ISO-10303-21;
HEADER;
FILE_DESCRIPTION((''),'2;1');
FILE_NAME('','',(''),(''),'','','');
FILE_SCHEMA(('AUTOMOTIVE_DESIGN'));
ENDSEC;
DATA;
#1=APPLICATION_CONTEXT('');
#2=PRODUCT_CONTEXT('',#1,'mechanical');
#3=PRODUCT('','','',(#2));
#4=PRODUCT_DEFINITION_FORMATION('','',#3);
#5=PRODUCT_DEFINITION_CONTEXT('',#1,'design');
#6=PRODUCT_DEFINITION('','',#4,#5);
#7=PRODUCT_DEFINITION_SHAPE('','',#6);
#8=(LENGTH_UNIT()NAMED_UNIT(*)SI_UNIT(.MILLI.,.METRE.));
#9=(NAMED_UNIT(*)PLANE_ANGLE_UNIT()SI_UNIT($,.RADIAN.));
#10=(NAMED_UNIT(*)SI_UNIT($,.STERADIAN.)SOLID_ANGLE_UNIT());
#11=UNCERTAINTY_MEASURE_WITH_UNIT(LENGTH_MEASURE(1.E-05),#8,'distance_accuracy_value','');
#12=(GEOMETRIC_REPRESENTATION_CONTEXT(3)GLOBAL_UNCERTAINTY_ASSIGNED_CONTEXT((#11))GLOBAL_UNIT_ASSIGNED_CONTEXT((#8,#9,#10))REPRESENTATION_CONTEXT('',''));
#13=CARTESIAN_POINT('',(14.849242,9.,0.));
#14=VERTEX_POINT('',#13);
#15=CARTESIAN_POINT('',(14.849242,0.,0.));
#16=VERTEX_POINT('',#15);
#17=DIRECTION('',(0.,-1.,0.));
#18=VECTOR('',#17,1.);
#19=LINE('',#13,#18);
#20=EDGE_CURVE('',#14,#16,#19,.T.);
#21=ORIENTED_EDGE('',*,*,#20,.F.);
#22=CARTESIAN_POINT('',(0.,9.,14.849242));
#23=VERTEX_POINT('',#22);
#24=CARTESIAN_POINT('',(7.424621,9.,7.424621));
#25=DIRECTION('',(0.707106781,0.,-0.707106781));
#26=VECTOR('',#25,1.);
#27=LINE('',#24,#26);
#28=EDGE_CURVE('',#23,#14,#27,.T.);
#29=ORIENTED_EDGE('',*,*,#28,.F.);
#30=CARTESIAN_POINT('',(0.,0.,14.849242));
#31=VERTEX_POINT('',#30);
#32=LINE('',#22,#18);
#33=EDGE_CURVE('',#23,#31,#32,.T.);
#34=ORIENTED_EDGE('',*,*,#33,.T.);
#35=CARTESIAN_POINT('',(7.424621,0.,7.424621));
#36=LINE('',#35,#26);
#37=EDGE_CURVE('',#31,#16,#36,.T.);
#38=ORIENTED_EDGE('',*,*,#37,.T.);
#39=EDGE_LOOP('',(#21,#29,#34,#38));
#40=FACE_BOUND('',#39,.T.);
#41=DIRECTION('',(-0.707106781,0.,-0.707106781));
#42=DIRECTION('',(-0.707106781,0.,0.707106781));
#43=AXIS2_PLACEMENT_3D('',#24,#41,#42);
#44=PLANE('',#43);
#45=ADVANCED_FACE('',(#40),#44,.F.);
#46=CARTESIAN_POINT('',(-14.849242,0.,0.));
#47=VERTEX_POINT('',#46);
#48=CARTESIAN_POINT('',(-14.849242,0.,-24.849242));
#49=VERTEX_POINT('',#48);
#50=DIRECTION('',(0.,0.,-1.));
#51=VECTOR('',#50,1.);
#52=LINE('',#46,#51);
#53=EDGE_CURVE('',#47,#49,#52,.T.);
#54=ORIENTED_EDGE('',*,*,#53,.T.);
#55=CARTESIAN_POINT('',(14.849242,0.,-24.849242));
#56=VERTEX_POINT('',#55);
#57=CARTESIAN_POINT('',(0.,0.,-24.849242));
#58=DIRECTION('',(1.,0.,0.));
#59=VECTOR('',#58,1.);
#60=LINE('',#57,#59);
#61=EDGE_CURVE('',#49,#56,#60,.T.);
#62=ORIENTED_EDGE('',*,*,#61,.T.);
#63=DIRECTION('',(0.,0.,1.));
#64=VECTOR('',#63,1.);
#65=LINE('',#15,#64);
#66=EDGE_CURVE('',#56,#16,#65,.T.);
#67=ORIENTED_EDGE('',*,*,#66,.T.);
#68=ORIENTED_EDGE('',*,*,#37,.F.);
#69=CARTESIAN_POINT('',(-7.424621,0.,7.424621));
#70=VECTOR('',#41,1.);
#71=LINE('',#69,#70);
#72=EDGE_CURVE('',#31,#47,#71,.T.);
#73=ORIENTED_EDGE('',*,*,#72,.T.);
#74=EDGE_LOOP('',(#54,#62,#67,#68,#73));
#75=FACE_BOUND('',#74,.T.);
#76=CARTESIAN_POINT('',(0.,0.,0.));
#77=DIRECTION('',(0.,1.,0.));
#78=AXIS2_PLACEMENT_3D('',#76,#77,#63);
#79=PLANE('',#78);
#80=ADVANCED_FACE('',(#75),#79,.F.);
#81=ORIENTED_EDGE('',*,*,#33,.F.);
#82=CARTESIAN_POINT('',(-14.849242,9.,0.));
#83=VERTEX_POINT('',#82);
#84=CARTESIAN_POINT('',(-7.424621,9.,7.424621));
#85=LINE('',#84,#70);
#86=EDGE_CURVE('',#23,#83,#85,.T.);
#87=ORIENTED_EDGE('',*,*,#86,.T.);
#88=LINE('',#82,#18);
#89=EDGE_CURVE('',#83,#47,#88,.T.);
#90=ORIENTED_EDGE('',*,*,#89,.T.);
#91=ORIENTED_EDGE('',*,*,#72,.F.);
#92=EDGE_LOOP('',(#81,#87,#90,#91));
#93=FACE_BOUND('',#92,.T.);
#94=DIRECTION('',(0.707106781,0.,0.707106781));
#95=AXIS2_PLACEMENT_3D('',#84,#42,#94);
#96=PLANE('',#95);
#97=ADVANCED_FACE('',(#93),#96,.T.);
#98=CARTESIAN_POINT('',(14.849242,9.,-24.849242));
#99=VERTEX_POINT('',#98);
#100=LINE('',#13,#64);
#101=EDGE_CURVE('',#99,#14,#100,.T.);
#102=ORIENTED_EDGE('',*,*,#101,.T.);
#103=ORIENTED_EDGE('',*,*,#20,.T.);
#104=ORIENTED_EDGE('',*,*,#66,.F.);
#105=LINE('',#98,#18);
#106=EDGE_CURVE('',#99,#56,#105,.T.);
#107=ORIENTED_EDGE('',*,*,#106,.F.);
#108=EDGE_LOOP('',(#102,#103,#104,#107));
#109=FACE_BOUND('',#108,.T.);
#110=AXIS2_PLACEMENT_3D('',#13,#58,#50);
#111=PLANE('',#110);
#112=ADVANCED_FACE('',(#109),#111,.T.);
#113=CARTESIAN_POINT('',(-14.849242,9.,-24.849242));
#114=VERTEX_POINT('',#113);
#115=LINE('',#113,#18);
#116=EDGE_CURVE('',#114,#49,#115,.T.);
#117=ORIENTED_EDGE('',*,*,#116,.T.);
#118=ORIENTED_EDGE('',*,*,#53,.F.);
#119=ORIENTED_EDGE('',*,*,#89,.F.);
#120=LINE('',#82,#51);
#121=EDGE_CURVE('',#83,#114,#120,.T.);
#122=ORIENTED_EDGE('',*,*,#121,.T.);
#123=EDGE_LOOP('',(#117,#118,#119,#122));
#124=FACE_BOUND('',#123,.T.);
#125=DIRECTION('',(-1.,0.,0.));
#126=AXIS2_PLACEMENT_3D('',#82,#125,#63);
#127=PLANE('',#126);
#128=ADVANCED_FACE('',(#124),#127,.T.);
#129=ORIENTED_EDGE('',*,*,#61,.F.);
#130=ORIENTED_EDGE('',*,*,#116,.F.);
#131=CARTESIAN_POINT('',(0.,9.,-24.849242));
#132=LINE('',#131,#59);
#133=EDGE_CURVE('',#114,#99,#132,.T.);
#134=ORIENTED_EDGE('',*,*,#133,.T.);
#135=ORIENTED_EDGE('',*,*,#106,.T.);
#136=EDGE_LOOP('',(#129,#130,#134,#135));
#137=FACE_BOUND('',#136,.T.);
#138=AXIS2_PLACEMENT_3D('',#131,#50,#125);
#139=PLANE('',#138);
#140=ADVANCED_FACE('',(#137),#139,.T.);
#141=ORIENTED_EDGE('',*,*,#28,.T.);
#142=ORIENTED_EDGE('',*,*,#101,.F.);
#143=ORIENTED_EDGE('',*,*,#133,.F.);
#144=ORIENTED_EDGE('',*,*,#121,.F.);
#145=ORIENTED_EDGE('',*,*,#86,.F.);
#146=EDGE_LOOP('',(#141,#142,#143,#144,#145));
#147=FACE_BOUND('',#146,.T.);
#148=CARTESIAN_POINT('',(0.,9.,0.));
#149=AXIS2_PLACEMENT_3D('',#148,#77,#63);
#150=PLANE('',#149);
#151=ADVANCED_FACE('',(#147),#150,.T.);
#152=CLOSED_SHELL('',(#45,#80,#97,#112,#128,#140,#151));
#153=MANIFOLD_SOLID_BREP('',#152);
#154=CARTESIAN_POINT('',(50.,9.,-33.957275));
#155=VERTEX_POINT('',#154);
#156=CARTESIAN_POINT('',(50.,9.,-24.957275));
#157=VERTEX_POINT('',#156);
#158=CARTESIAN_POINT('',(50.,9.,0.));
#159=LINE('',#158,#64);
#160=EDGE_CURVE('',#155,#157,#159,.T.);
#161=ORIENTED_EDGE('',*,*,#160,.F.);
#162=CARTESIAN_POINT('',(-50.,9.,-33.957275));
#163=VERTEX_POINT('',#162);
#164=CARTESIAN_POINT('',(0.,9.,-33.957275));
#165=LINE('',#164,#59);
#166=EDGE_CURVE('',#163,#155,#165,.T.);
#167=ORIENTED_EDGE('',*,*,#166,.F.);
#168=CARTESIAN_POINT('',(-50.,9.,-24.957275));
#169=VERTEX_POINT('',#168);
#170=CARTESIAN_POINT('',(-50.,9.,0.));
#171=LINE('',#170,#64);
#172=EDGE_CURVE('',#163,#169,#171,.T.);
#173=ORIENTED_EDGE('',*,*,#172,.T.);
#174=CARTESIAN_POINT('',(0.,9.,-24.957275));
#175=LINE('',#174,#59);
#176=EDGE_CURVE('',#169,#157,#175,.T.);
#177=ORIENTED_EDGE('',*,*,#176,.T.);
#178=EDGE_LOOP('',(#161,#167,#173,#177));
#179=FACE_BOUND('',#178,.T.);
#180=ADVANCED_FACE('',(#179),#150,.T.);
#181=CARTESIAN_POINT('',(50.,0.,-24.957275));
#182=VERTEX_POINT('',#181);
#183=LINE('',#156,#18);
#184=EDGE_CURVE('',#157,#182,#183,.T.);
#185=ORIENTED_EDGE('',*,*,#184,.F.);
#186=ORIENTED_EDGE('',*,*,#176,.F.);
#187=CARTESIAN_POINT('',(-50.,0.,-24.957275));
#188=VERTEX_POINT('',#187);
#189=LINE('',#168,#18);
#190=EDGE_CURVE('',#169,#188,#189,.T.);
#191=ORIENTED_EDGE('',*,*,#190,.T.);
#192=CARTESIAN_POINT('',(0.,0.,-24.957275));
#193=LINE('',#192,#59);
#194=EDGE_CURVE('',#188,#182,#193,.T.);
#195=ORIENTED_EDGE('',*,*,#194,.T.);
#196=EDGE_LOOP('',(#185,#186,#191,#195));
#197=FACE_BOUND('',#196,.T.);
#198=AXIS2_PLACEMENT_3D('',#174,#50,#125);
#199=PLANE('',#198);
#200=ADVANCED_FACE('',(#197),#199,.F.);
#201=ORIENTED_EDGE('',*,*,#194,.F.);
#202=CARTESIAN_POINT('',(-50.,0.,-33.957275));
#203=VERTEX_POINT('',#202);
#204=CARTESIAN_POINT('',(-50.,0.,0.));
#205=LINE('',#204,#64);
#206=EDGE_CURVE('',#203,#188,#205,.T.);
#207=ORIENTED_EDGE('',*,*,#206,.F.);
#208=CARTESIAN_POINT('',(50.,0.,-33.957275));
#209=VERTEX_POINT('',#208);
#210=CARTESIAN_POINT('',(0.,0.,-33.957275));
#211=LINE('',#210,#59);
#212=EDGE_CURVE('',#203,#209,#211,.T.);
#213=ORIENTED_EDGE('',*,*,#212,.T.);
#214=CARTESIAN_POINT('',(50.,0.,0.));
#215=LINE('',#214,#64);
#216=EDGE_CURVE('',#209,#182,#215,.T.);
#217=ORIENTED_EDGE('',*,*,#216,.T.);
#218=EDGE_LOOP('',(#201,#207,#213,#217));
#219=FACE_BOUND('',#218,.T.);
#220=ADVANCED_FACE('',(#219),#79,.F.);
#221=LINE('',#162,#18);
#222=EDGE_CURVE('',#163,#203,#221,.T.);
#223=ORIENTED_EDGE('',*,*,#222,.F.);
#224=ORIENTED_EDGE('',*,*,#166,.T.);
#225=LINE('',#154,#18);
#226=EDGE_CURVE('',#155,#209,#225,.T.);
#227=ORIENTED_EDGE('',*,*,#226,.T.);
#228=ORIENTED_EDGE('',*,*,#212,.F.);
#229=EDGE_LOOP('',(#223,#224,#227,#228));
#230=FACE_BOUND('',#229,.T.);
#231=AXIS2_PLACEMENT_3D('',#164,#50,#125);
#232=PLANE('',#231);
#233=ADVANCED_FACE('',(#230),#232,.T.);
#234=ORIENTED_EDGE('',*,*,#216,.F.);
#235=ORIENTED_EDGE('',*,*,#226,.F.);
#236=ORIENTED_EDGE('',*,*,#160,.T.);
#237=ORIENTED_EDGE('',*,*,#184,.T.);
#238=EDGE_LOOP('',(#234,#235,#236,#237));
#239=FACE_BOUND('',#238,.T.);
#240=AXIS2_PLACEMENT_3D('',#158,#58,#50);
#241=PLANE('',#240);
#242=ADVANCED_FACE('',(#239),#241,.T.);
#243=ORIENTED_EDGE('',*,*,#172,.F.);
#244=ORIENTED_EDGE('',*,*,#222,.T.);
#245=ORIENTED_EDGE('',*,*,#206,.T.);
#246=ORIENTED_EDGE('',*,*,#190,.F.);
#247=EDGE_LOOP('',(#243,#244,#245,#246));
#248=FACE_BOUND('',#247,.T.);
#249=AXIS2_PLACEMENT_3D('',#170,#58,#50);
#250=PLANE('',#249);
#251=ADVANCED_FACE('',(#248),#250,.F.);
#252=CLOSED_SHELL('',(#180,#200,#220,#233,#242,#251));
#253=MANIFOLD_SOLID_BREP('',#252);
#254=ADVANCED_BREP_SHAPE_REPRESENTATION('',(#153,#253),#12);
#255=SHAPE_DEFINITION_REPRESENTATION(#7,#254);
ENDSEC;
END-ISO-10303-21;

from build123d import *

# Parameters (mm, degrees)
BOSS_EXTRUDE1_DEPTH   = 9
SKETCH1_W             = 100
SKETCH1_H             = 9
BOSS_EXTRUDE1_2_DEPTH = 9


with BuildPart() as part:
    # Sketch1 → Boss-Extrude1 (new body)
    with BuildSketch(Plane(origin=(0, 0, 0), x_dir=(1, 0, 0), z_dir=(0, 1, 0))):
        Polygon((-14.849242405, 0), (-14.849242405, 24.849242405), (14.849242405, 24.849242405), (14.849242405, 0), (0, -14.849242405), align=None)
    extrude(amount=BOSS_EXTRUDE1_DEPTH)


with BuildPart() as body_2:
    # Sketch1 → Boss-Extrude1 2 (new body)
    with BuildSketch(Plane(origin=(0, 0, 0), x_dir=(1, 0, 0), z_dir=(0, 1, 0))):
        with Locations((0, 29.457275469)):
            Rectangle(SKETCH1_W, SKETCH1_H)
    extrude(amount=BOSS_EXTRUDE1_2_DEPTH)


solid = Compound([part.part, body_2.part])
